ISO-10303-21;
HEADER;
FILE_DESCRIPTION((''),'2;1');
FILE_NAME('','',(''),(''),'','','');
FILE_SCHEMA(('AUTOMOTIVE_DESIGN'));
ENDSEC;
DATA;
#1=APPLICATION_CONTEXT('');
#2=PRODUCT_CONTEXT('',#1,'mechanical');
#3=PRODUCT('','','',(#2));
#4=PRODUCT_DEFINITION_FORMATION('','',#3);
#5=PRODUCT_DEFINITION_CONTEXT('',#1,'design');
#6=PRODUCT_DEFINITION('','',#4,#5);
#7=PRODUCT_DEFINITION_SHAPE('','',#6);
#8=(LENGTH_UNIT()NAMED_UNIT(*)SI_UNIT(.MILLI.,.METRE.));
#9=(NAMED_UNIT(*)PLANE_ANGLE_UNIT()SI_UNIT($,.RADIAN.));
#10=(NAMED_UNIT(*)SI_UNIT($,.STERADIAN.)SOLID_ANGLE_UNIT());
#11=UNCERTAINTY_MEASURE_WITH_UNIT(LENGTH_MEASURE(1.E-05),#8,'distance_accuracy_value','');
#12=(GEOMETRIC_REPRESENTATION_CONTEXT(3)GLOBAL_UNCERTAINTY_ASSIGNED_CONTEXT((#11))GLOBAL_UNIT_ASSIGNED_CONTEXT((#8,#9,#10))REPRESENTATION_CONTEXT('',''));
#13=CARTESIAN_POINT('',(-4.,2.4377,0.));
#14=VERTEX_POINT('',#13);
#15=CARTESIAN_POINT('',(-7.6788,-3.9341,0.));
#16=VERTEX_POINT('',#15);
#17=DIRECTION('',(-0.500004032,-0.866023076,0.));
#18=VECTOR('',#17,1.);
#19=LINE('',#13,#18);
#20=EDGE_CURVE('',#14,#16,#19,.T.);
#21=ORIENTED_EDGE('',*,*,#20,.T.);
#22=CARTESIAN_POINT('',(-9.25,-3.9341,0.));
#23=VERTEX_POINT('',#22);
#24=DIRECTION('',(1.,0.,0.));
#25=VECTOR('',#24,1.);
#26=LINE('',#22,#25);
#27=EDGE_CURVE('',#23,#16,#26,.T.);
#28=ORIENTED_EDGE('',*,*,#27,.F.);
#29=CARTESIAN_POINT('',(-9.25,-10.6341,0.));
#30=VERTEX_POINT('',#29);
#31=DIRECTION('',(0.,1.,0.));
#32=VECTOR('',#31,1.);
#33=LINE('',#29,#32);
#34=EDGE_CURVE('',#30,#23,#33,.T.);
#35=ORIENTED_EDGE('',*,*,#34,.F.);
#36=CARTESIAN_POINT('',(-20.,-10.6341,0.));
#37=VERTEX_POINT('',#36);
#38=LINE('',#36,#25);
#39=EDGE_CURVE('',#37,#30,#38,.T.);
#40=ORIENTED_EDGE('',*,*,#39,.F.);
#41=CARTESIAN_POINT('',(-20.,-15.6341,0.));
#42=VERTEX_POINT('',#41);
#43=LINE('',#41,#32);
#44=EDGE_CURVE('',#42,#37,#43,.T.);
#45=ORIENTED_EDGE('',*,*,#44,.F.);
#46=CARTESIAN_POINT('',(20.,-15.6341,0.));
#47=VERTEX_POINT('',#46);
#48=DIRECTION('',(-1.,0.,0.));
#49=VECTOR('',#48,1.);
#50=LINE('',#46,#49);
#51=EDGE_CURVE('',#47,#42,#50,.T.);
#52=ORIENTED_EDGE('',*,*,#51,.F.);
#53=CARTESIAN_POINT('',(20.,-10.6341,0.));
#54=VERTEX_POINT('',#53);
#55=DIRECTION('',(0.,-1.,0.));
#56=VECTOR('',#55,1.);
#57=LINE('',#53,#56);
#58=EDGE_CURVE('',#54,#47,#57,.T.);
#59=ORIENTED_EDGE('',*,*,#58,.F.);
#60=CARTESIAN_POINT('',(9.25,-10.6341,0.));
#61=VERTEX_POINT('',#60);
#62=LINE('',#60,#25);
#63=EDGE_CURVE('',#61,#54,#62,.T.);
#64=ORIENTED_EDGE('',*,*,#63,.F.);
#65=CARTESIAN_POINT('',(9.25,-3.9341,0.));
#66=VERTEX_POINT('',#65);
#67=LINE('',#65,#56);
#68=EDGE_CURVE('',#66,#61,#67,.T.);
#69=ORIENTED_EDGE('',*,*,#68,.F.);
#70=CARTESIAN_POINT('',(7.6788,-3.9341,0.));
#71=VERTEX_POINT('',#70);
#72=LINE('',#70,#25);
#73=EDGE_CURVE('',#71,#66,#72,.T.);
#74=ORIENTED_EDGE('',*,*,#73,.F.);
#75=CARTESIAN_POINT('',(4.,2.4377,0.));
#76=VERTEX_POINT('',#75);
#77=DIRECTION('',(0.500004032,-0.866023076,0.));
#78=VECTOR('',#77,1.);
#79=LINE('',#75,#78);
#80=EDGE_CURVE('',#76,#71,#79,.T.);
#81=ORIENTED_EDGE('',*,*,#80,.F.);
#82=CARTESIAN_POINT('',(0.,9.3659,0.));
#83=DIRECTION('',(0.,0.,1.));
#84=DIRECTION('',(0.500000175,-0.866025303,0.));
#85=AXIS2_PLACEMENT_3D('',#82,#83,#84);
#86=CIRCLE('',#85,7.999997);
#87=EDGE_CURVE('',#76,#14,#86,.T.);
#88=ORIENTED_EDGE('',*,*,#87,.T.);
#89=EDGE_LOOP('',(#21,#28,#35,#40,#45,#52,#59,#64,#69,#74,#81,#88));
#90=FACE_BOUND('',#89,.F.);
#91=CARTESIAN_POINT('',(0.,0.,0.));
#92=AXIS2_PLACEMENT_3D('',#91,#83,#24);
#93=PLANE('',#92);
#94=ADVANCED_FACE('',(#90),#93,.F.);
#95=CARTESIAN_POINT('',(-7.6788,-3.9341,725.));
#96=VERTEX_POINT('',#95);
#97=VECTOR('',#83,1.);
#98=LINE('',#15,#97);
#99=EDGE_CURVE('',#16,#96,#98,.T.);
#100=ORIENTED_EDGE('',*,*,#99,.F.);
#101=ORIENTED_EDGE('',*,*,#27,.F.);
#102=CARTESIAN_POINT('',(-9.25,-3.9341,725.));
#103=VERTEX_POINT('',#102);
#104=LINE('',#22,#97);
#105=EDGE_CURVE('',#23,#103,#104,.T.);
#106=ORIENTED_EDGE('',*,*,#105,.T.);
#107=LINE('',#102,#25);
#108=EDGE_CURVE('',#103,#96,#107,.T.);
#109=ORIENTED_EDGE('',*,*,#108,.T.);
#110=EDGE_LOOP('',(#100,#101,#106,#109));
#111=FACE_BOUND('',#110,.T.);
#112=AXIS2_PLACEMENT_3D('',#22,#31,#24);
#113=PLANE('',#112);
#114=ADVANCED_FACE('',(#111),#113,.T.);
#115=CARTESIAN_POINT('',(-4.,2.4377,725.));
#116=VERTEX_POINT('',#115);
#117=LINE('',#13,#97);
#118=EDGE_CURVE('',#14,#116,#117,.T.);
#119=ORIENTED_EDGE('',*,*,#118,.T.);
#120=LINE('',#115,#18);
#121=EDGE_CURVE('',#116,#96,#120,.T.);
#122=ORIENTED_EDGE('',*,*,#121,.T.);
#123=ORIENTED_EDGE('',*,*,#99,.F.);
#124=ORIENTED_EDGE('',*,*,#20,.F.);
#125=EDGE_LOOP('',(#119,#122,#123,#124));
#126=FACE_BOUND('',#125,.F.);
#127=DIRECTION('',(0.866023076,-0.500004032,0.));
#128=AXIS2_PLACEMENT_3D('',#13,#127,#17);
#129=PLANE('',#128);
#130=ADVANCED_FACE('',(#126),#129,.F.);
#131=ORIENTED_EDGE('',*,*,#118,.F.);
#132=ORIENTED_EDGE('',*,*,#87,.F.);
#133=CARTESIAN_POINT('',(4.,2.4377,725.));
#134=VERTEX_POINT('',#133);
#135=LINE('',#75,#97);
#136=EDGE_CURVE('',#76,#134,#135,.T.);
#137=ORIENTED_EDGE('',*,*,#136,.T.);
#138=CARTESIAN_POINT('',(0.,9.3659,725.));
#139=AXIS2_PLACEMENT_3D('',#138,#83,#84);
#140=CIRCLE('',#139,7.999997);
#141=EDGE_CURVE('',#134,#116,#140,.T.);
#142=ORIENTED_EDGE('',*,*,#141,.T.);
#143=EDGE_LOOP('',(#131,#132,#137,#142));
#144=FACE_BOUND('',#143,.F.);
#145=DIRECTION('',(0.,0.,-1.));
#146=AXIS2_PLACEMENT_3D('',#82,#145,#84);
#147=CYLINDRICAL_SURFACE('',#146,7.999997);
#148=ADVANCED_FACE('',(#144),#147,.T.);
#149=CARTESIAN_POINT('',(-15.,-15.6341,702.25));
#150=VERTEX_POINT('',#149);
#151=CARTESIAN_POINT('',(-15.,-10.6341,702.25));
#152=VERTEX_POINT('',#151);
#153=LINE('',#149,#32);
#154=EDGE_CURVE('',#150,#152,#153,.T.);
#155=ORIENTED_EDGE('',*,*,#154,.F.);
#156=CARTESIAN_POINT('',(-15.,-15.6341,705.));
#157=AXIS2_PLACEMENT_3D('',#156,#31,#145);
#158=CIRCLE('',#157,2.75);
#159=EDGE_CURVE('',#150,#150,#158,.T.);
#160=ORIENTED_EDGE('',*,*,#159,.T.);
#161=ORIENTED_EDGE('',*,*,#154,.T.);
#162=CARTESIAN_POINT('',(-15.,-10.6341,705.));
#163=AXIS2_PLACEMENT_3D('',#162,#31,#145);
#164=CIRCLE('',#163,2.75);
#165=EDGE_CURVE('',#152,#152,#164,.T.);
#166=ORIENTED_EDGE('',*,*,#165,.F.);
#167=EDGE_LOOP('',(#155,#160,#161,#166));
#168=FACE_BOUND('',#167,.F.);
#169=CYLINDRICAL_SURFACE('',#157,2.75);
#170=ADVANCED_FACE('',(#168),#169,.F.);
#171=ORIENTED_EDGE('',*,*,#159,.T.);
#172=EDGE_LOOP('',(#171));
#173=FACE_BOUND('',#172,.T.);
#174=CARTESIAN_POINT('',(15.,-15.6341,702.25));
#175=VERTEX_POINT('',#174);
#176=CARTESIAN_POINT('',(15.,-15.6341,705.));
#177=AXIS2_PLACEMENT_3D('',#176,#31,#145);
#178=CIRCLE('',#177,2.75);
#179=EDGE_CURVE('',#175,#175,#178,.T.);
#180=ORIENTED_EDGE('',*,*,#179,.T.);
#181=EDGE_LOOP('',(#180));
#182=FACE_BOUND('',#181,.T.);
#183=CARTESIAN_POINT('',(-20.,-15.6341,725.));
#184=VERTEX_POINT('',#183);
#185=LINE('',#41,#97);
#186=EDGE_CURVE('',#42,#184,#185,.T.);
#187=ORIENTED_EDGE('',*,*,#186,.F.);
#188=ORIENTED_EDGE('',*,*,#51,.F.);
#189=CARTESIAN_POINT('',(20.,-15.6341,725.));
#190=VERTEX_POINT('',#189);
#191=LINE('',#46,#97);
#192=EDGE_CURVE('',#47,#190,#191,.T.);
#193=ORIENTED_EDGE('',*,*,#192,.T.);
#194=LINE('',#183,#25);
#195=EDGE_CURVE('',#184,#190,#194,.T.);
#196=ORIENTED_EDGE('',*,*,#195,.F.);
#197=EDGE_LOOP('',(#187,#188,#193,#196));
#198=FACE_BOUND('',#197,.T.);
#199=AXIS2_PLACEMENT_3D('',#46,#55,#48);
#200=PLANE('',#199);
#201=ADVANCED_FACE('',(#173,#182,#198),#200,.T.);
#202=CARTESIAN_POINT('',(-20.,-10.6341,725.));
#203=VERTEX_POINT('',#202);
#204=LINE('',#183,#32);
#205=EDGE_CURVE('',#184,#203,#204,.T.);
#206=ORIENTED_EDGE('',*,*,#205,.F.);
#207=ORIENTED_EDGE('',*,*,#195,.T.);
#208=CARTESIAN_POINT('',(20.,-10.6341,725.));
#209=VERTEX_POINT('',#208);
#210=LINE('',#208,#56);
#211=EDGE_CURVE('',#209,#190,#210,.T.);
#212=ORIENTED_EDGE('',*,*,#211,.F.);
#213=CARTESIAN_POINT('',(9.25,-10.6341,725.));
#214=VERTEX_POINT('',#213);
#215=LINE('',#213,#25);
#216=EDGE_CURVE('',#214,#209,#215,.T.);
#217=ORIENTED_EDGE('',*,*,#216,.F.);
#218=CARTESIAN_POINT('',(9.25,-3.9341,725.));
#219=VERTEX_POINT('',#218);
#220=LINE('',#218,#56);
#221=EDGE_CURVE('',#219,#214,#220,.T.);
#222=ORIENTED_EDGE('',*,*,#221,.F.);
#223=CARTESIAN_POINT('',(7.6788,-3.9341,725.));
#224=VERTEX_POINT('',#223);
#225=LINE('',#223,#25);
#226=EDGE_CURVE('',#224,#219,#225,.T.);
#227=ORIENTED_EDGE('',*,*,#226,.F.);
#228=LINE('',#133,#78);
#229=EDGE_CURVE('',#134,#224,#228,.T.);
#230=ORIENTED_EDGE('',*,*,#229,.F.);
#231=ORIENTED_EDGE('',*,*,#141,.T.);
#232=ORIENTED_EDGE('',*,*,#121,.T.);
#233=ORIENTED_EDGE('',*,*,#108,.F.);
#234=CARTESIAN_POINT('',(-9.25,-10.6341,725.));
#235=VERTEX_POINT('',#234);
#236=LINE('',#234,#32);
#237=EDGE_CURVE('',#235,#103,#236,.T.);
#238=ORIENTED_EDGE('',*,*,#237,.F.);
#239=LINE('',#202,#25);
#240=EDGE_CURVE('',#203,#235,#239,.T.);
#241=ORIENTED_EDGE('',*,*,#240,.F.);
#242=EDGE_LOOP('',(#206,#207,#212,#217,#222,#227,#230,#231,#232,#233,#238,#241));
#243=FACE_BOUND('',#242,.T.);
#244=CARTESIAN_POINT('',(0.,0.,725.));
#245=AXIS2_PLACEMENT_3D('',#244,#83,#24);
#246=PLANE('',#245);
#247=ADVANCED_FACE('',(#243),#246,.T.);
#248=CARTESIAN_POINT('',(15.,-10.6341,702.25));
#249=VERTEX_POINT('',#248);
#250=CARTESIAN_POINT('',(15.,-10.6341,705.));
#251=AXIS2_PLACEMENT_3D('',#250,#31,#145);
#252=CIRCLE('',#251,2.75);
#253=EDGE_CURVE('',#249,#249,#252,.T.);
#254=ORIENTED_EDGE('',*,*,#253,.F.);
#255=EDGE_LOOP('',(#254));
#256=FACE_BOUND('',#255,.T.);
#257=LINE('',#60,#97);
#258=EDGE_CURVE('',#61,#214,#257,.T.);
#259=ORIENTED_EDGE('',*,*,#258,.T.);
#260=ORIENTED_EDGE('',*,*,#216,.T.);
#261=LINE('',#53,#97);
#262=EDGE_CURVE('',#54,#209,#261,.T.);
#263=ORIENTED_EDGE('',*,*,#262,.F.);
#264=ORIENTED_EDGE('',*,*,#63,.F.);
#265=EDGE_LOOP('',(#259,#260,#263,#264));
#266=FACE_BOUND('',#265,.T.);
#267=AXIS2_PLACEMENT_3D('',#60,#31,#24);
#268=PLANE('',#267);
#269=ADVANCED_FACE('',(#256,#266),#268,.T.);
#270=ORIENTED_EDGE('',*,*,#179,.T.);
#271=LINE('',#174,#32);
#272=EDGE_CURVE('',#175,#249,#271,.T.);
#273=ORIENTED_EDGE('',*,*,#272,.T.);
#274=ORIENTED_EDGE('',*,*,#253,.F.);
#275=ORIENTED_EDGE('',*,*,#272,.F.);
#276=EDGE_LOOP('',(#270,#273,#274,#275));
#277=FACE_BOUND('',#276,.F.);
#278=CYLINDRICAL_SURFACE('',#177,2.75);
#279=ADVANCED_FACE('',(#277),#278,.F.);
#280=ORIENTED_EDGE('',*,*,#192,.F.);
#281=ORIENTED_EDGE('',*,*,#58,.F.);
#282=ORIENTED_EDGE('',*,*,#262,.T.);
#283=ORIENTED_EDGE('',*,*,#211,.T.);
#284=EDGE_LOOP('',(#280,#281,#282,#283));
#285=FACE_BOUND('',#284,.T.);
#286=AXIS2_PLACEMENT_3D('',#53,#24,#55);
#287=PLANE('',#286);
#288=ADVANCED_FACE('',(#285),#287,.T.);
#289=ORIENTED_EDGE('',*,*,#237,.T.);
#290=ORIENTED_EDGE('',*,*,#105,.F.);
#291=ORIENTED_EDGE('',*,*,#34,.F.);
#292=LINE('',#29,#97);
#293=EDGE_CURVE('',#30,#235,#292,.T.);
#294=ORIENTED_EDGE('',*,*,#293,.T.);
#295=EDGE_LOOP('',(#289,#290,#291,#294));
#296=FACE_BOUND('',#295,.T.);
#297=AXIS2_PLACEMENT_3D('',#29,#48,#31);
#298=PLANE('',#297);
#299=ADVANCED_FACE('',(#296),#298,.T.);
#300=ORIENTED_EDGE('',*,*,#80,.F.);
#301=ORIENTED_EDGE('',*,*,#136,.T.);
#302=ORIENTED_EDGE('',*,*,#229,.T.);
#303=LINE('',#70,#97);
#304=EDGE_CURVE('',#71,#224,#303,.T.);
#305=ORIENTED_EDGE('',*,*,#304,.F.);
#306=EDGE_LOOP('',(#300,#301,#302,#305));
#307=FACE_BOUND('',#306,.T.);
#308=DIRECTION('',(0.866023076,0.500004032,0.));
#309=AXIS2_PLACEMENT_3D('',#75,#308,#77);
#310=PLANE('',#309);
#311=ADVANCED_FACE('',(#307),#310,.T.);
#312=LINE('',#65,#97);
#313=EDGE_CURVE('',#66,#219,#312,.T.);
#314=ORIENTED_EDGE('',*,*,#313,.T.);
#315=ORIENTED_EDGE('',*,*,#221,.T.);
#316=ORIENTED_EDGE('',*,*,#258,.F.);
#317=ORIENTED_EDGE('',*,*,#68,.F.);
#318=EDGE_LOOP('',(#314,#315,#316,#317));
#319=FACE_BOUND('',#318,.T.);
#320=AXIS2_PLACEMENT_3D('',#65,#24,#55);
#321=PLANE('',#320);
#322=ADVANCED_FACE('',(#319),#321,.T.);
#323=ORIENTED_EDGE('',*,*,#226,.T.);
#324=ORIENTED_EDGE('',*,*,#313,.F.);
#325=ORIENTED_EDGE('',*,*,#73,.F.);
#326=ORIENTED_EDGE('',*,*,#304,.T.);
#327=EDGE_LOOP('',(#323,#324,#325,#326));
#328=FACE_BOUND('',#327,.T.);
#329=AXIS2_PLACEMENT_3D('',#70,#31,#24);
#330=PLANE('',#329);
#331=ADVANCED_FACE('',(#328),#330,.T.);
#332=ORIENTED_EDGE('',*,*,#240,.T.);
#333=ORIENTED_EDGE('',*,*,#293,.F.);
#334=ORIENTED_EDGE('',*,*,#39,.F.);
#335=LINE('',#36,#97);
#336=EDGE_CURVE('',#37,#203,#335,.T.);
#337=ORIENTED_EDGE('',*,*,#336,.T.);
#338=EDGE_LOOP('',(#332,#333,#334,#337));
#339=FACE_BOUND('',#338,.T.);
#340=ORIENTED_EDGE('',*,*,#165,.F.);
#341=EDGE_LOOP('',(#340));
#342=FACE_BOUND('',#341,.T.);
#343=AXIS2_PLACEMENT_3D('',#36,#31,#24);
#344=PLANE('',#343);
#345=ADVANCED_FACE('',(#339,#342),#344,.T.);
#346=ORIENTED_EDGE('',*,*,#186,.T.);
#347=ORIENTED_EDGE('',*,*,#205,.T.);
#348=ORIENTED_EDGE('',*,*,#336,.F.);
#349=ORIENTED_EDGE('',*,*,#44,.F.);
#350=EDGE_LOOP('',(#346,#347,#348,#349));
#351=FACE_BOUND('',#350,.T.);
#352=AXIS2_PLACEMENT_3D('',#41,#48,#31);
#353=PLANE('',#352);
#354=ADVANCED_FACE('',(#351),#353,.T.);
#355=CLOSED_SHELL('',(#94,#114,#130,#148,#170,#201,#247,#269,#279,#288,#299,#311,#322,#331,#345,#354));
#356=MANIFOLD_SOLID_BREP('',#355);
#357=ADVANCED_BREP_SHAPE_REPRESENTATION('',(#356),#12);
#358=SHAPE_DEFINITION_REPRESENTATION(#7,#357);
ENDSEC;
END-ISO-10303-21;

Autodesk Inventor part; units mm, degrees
ref_plane "YZ Plane" through (0, 0, 0) normal (1, 0, 0) x (0, 1, 0)
ref_plane "XZ Plane" through (0, 0, 0) normal (0, 1, 0) x (-1, 0, 0)
ref_plane "XY Plane" through (0, 0, 0) normal (0, 0, 1) x (1, 0, 0)
sketch "Esboço1" plane through (0, 0, 0) normal (0, 0, 1) x (1, 0, 0)
  arc A0 (4, 2.4377) -> (-4, 2.4377) centre (0, 9.3659) ccw
  line L0 (9.25, -3.9341) -> (9.25, -10.6341)
  line L1 (-9.25, -10.6341) -> (-9.25, -3.9341)
  line L2 (4, -15.6341) -> (-4, -15.6341)
  line L3 (20, -15.6341) -> (-20, -15.6341)
  line L4 (-20, -15.6341) -> (-20, -10.6341)
  line L5 (20, -10.6341) -> (20, -15.6341)
  line L6 (7.6788, -3.9341) -> (9.25, -3.9341)
  line L7 (-9.25, -3.9341) -> (-7.6788, -3.9341)
  line L8 (9.25, -10.6341) -> (20, -10.6341)
  line L9 (-20, -10.6341) -> (-9.25, -10.6341)
  line L10 (-4, 2.4377) -> (-7.6788, -3.9341)
  line L11 (-17.4151, -20.798) -> (-22.4188, -29.4646)
  line L12 (17.4151, -20.798) -> (23.6527, -31.6017)
  line L13 (9.25, -15.6341) -> (4, -15.6341)
  line L14 (0, -15.6341) -> (-9.25, -15.6341)
  line L15 (4, 2.4377) -> (7.6788, -3.9341)
  dimension "d6" = 16
  dimension "d7" = 25
  dimension "d8" = 18.5
  dimension "d9" = 11.7
  dimension "d10" = 8
  dimension "d13" = 5
  dimension "d14" = 40
extrude "Extrusão1" add sketch "Esboço1" along normal blind 725
sketch "Esboço3" plane through (-20, -15.6341, 0) normal (0, -1, 0) x (1, 0, 0)
  line L0 (0, 725) -> (40, 725) construction
  line L1 (20, 725) -> (20, 0) construction
  line L2 (20, 705) -> (5, 705) construction
  line L3 (5, 705) -> (20, 705) construction
  line L4 (20, 705) -> (35, 705) construction
  circle A0 centre (5, 705) radius 2.75
  circle A1 centre (35, 705) radius 2.75
  line L5 (40, 0) -> (0, 0) construction
  dimension "d18" = 15
  dimension "d19" = 15
  dimension "d20" = 5.5
  dimension "d21" = 5.5
  dimension "d22" = 20
hole "Furo1" at (-15, -15.6341, 705) at (15, -15.6341, 705) direction (0, 1, 0) diameter 5.5 depth 8 tip angle 118
properties part number "SBR16_EIXO_X_1"
